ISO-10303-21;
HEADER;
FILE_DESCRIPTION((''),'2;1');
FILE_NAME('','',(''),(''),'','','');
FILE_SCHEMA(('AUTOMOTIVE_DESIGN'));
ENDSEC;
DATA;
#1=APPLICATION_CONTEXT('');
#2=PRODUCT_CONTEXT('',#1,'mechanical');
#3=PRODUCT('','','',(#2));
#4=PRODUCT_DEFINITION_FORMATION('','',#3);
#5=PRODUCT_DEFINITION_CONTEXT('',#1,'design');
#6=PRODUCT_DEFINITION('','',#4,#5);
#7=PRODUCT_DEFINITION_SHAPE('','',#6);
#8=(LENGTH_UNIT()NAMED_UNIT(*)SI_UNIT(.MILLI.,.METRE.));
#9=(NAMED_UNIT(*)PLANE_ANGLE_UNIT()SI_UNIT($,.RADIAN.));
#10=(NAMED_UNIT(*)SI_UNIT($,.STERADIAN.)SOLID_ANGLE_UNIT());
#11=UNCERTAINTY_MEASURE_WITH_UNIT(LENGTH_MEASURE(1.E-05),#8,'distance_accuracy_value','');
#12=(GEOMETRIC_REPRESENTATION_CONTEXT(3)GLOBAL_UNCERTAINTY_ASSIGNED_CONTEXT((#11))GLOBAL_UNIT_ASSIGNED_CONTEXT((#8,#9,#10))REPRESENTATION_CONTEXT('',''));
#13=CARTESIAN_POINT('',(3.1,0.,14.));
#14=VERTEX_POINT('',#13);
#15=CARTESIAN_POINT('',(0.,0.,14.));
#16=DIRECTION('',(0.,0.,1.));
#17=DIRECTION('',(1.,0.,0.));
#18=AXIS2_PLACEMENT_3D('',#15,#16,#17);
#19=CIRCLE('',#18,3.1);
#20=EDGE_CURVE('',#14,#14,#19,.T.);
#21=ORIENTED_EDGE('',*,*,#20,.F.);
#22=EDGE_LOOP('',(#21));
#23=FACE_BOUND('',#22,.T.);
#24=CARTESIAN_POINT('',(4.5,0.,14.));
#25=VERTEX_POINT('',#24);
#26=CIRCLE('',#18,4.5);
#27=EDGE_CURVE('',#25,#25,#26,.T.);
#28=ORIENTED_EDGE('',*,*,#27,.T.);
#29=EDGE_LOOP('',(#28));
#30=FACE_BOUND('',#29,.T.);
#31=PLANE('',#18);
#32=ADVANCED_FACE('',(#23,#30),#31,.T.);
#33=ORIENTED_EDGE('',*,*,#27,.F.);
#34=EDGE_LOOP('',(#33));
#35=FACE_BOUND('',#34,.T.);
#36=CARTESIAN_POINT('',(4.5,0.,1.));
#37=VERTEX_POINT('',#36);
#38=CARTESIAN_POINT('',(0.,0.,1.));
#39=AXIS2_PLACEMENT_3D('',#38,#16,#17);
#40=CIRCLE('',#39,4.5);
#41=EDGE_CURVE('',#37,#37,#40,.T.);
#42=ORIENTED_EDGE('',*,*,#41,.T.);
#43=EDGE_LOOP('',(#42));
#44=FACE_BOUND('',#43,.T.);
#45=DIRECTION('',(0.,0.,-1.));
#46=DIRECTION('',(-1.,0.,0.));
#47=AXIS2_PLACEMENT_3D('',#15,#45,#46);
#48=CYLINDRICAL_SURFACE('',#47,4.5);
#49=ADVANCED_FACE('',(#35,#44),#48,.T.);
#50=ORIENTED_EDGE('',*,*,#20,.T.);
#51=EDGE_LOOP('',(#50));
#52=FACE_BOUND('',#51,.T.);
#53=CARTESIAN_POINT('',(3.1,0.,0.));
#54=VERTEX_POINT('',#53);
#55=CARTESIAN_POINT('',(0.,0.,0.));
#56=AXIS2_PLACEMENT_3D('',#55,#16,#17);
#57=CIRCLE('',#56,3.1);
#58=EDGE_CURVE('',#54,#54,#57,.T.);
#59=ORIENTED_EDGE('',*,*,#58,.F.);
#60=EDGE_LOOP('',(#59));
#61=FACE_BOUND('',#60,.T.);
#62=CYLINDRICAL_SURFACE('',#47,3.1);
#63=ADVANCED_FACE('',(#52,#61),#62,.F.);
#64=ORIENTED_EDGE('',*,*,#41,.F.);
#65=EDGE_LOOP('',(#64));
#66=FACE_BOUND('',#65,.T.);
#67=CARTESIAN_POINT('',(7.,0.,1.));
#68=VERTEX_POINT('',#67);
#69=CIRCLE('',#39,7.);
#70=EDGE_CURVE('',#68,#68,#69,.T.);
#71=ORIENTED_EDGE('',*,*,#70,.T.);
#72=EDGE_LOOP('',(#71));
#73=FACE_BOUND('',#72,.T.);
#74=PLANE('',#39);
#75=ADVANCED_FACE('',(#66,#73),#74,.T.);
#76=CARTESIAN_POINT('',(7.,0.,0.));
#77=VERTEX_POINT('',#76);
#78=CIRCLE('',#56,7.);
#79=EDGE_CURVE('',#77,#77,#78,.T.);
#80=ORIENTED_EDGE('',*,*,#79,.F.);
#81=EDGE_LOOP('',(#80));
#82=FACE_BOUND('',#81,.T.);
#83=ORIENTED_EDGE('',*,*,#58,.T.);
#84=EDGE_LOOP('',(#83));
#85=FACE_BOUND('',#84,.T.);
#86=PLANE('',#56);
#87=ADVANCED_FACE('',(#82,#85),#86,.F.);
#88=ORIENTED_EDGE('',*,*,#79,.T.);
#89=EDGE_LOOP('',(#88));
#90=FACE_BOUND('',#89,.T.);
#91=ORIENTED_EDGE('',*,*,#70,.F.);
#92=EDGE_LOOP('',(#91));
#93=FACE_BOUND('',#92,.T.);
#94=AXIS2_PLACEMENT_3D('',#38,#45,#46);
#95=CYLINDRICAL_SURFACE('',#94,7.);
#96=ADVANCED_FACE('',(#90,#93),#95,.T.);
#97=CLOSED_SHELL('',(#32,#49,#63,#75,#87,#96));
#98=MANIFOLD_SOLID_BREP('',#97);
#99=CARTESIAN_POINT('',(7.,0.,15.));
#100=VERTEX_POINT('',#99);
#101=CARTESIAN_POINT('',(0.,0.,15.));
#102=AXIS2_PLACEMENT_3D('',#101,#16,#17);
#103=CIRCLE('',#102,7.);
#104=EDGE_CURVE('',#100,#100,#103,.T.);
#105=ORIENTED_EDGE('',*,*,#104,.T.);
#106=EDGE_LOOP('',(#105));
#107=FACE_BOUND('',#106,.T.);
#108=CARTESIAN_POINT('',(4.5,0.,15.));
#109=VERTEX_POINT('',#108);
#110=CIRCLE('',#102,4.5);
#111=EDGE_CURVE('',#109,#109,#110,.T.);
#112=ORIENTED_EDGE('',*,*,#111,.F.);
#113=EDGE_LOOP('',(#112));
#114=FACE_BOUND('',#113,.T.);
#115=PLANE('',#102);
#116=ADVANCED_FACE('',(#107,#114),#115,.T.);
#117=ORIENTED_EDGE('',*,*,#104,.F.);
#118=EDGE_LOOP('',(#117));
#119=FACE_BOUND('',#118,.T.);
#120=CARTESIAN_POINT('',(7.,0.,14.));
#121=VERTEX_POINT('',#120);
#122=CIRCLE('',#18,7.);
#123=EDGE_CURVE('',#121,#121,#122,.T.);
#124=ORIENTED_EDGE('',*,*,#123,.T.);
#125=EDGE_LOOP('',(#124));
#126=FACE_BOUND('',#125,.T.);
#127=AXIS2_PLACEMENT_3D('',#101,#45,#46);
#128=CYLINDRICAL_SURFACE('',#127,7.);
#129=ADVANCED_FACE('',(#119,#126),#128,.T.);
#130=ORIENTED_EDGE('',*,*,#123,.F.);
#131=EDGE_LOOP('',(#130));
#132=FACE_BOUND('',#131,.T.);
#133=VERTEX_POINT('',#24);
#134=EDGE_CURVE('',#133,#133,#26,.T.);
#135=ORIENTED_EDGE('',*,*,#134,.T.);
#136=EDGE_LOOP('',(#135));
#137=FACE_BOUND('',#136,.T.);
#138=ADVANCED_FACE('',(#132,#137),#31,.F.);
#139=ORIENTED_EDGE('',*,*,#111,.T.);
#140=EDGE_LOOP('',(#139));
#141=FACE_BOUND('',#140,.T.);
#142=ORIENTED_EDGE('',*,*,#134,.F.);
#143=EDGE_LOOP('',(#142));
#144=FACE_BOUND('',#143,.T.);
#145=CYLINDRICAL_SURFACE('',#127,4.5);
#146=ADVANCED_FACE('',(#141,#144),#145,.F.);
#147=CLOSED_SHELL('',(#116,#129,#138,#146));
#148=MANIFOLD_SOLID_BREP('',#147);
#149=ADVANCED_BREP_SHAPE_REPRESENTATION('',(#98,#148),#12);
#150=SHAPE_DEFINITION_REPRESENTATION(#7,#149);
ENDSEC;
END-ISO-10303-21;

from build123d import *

# Parameters (mm, degrees)
SKETCH_1_R      = 4.5
SKETCH_1_R_2    = 3.1
EXTRUDE_2_DEPTH = 14
SKETCH_1_4_R    = 7
SKETCH_1_4_R_2  = 4.5
EXTRUDE_3_DEPTH = 1
SKETCH_2_R      = 7
SKETCH_2_R_2    = 4.5
EXTRUDE_4_DEPTH = 1


with BuildPart() as part:
    # Эскиз1 → Бобышка-Вытянуть2 (new body)
    with BuildSketch(Plane.XY):
        Circle(SKETCH_1_R)
        Circle(SKETCH_1_R_2, mode=Mode.SUBTRACT)
    extrude(amount=EXTRUDE_2_DEPTH)

    # Эскиз1<4> → Бобышка-Вытянуть3 (add)
    with BuildSketch(Plane.XY):
        Circle(SKETCH_1_4_R)
        Circle(SKETCH_1_4_R_2, mode=Mode.SUBTRACT)
    extrude(amount=EXTRUDE_3_DEPTH)


with BuildPart() as body_2:
    # Эскиз2 → Бобышка-Вытянуть4 (new body)
    with BuildSketch(Plane.XY.offset(14)):
        Circle(SKETCH_2_R)
        Circle(SKETCH_2_R_2, mode=Mode.SUBTRACT)
    extrude(amount=EXTRUDE_4_DEPTH)


solid = Compound([part.part, body_2.part])
